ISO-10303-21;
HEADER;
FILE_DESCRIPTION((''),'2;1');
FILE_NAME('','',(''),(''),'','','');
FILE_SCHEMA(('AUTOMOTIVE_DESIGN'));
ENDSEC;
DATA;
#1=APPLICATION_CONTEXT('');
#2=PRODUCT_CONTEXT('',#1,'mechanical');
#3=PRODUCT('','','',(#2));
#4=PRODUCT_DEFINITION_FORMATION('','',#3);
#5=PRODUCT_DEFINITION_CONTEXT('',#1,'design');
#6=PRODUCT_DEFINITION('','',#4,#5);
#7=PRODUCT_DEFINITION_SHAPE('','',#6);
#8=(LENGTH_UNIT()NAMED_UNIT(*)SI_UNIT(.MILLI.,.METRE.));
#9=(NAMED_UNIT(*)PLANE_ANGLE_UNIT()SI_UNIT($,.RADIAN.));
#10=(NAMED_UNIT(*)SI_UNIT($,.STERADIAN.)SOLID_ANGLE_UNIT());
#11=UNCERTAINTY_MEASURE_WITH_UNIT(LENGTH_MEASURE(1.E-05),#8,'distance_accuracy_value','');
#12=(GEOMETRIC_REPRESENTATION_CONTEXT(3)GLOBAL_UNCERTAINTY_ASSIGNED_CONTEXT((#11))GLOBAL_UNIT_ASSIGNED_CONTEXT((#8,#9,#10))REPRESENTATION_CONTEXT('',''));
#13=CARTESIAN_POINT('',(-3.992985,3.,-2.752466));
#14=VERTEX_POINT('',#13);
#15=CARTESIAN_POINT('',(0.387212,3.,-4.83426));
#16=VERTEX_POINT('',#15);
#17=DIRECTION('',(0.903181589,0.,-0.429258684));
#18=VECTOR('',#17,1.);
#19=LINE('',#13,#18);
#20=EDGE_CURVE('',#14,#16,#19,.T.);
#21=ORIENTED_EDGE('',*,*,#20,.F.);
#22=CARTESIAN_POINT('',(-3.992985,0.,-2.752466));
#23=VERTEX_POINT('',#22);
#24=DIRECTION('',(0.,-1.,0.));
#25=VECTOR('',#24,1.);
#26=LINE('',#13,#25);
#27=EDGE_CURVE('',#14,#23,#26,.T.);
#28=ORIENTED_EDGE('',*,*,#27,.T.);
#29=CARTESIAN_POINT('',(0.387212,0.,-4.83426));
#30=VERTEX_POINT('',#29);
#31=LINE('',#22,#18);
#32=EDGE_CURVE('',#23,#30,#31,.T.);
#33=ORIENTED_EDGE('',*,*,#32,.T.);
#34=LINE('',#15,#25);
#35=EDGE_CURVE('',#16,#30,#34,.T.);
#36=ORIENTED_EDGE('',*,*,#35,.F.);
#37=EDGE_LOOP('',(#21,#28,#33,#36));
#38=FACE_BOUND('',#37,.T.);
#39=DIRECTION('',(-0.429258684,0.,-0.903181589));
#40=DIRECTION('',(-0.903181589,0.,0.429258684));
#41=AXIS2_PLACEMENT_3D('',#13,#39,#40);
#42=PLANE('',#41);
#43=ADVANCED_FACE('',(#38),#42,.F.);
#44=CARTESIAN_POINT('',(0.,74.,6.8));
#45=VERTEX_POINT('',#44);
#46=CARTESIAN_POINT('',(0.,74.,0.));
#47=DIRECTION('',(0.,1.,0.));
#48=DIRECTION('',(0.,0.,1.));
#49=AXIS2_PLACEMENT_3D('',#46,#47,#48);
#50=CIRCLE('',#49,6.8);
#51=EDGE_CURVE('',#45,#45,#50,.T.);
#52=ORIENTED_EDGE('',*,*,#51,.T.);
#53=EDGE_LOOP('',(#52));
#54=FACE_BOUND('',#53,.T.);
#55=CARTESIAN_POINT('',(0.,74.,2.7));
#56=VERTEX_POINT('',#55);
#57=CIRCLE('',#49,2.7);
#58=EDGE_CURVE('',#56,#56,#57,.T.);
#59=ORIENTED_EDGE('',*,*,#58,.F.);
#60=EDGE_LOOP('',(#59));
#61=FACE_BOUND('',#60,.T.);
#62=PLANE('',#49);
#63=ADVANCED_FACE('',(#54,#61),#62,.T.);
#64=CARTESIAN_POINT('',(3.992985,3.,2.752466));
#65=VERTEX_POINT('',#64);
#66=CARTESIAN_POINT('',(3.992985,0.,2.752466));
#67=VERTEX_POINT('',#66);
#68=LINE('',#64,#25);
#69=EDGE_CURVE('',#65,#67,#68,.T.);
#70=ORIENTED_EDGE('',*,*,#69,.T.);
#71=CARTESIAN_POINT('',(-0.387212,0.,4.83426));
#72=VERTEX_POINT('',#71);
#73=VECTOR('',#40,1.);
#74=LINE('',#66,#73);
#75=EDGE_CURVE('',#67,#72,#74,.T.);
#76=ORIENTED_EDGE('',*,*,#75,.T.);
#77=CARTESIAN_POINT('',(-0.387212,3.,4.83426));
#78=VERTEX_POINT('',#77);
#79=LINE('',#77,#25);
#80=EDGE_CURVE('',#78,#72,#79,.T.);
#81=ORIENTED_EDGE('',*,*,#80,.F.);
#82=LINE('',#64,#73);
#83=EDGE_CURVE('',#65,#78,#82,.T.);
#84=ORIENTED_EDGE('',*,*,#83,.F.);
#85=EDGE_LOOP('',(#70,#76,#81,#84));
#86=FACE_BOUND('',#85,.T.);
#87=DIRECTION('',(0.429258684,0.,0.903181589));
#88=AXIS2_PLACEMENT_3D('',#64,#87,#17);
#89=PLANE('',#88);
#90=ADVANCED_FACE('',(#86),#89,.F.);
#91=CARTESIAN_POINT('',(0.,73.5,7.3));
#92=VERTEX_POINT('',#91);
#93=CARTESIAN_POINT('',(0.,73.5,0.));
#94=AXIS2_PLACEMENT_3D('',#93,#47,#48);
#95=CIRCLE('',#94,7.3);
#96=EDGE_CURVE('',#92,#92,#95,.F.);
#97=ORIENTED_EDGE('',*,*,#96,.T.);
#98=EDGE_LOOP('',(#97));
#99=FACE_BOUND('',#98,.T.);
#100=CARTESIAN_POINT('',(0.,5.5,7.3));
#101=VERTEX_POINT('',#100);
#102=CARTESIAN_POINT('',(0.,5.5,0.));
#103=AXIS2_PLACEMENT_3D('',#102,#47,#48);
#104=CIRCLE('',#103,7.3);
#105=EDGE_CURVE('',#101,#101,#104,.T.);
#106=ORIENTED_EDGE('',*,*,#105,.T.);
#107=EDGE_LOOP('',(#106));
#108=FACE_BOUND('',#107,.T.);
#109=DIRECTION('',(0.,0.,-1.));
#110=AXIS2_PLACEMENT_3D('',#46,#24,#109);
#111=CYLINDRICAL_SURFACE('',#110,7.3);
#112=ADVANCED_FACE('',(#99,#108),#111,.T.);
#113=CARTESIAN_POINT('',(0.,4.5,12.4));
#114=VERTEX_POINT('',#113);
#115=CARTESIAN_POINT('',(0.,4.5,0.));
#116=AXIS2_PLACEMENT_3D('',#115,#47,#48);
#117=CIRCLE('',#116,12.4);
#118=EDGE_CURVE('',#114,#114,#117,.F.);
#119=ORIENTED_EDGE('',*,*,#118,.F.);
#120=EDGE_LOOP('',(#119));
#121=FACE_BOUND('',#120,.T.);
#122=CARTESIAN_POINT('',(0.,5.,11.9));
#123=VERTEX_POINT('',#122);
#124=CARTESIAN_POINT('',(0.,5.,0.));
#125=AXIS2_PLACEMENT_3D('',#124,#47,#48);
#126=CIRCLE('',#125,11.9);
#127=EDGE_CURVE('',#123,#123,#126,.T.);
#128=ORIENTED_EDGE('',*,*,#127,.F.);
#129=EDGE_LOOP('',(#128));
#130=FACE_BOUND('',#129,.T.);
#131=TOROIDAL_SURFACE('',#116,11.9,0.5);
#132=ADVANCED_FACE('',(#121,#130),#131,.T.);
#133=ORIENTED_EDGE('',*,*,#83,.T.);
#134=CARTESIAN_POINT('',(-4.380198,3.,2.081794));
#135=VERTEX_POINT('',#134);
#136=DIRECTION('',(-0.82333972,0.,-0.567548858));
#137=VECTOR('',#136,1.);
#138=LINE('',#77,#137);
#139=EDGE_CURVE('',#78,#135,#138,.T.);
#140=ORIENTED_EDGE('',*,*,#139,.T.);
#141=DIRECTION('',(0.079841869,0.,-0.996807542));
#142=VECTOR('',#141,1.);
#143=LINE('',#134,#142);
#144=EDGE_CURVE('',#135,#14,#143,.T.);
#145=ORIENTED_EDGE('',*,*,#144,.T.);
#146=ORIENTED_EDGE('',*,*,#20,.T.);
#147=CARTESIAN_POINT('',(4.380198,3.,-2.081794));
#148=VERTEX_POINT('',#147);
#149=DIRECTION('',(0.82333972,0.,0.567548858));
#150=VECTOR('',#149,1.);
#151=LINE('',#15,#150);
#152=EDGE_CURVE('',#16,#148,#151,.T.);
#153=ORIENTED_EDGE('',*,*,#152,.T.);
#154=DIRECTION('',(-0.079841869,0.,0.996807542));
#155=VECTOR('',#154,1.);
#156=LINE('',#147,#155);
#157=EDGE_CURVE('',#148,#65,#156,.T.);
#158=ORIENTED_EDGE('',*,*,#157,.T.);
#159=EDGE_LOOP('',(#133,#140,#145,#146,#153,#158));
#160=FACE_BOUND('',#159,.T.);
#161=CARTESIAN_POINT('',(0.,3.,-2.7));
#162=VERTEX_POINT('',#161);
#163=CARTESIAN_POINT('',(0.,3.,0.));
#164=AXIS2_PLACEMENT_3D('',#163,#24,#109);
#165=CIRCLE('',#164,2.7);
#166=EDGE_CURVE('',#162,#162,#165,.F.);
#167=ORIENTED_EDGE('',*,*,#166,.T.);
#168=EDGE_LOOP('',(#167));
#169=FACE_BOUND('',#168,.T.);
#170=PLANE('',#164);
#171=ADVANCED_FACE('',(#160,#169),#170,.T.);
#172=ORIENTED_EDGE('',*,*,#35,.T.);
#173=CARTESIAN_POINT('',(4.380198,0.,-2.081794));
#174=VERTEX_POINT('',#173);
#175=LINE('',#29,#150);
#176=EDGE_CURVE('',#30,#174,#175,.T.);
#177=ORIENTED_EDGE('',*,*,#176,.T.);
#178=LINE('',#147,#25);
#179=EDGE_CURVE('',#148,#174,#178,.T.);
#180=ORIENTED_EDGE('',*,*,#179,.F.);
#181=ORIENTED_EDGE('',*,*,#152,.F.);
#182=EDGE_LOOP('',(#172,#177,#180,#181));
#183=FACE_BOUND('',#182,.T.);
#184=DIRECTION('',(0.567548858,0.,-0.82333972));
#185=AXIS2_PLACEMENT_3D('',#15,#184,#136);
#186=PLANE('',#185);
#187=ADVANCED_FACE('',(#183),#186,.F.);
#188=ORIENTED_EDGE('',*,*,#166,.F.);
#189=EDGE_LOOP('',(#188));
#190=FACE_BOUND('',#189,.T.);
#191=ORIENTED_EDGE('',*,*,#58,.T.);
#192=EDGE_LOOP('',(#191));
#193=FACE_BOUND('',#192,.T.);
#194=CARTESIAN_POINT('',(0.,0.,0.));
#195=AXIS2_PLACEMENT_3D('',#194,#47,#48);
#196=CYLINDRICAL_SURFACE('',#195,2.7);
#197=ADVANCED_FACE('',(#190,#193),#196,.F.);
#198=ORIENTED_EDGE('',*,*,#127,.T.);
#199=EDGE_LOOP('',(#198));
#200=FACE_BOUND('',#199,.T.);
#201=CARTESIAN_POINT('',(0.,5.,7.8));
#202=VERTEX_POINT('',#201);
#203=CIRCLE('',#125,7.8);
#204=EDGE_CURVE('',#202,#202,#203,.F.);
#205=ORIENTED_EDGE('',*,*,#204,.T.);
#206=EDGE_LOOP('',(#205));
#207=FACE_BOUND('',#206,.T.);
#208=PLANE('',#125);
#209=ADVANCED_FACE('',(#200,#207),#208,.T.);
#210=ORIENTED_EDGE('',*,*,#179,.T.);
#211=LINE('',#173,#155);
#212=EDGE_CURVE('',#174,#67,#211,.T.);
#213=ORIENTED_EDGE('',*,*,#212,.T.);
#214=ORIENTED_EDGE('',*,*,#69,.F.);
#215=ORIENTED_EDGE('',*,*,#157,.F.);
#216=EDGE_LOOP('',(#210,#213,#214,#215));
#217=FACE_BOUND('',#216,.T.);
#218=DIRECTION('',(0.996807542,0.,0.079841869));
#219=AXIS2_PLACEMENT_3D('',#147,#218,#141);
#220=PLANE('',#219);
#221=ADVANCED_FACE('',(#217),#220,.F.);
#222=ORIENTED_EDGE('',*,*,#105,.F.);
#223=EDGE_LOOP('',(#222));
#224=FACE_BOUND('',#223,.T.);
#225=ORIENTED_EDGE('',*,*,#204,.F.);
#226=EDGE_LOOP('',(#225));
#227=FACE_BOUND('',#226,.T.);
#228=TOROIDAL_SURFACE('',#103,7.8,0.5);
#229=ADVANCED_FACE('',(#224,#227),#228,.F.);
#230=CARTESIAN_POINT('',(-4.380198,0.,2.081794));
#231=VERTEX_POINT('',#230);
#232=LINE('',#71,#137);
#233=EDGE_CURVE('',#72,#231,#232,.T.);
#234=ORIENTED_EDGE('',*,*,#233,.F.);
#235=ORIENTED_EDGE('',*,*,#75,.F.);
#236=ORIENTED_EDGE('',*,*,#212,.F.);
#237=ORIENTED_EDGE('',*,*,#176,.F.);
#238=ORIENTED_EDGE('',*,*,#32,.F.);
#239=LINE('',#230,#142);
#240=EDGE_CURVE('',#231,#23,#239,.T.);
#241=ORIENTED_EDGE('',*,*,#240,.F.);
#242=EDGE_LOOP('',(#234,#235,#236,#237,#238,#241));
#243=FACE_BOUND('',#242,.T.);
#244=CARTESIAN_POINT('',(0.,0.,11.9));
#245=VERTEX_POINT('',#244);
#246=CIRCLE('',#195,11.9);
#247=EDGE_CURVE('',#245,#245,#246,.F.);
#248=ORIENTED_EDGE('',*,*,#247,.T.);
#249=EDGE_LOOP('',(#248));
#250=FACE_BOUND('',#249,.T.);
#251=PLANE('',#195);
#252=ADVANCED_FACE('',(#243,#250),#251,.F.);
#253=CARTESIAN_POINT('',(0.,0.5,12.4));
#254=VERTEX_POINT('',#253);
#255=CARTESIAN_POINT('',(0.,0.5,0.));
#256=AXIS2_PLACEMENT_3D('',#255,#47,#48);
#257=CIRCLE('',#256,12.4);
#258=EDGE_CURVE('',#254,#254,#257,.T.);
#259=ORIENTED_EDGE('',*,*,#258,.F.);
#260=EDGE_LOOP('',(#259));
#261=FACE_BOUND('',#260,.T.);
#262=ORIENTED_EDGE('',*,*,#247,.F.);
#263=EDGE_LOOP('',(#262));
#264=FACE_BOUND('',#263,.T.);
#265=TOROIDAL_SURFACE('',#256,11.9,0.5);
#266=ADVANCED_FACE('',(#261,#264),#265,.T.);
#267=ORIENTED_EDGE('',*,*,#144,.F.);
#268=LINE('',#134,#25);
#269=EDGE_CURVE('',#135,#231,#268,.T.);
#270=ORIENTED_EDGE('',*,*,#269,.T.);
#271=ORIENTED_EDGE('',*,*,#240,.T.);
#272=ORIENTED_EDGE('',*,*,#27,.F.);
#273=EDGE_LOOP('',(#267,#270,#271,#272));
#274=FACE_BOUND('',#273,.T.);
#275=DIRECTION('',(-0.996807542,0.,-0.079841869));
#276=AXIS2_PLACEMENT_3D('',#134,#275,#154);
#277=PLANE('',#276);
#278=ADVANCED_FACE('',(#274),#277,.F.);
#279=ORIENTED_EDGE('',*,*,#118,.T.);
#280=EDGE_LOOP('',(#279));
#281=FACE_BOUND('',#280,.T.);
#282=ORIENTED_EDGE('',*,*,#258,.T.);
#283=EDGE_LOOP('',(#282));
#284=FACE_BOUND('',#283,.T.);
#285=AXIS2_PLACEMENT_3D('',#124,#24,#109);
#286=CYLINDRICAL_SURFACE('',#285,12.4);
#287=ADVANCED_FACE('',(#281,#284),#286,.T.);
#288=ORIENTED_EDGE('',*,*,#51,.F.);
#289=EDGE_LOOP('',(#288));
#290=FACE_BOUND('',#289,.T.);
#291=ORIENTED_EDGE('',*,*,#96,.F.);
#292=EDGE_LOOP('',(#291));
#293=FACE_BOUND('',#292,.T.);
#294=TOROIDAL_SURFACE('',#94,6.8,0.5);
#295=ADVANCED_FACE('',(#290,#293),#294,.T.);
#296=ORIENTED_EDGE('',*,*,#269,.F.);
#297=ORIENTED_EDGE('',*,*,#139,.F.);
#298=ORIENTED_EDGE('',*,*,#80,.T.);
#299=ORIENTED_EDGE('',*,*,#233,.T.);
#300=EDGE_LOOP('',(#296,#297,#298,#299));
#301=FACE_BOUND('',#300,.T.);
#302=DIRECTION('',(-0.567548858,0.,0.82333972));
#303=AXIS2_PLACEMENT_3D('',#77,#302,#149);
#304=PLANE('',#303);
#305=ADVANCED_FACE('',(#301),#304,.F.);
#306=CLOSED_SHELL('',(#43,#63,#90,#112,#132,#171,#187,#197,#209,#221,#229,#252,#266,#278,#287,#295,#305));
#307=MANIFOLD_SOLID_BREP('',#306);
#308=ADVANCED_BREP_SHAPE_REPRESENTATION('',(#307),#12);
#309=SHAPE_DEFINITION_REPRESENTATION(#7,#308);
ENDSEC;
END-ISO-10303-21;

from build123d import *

# Parameters (mm, degrees)
SKETCH1_R           = 12.4
BOSS_EXTRUDE1_DEPTH = 5
SKETCH2_R           = 7.3
BOSS_EXTRUDE2_DEPTH = 69
SKETCH3_R           = 2.7
CUT_EXTRUDE1_DEPTH  = 75
CUT_EXTRUDE2_DEPTH  = 3
FILLET1_R           = 0.5


with BuildPart() as part:
    # Sketch1 → Boss-Extrude1 (new body)
    with BuildSketch(Plane(origin=(0, 0, 0), x_dir=(1, 0, 0), z_dir=(0, 1, 0))):
        Circle(SKETCH1_R)
    extrude(amount=BOSS_EXTRUDE1_DEPTH)

    # Sketch2 → Boss-Extrude2 (add)
    with BuildSketch(Plane(origin=(0, 5, 0), x_dir=(1, 0, 0), z_dir=(0, 1, 0))):
        Circle(SKETCH2_R)
    extrude(amount=BOSS_EXTRUDE2_DEPTH)

    # Sketch3 → Cut-Extrude1 (cut, through all)
    with BuildSketch(Plane(origin=(0, 74, 0), x_dir=(1, 0, 0), z_dir=(0, 1, 0))):
        Circle(SKETCH3_R)
    extrude(amount=-CUT_EXTRUDE1_DEPTH, mode=Mode.SUBTRACT)

    # Sketch4 → Cut-Extrude2 (cut)
    with BuildSketch(Plane.XZ):
        Polygon((-4.38019792, 2.081793981), (-3.992985433, -2.752465682), (0.387212487, -4.834259663), (4.38019792, -2.081793981), (3.992985433, 2.752465682), (-0.387212487, 4.834259663), align=None)
    extrude(amount=-CUT_EXTRUDE2_DEPTH, mode=Mode.SUBTRACT)

    # Fillet1
    fillet1_edges = [part.edges().sort_by_distance(p)[0] for p in [
        (-12.4, 0, 0),
        (-12.4, 5, 0),
        (-7.3, 5, 0),
        (-7.3, 74, 0),
    ]]
    fillet(fillet1_edges, radius=FILLET1_R)


solid = part.part
